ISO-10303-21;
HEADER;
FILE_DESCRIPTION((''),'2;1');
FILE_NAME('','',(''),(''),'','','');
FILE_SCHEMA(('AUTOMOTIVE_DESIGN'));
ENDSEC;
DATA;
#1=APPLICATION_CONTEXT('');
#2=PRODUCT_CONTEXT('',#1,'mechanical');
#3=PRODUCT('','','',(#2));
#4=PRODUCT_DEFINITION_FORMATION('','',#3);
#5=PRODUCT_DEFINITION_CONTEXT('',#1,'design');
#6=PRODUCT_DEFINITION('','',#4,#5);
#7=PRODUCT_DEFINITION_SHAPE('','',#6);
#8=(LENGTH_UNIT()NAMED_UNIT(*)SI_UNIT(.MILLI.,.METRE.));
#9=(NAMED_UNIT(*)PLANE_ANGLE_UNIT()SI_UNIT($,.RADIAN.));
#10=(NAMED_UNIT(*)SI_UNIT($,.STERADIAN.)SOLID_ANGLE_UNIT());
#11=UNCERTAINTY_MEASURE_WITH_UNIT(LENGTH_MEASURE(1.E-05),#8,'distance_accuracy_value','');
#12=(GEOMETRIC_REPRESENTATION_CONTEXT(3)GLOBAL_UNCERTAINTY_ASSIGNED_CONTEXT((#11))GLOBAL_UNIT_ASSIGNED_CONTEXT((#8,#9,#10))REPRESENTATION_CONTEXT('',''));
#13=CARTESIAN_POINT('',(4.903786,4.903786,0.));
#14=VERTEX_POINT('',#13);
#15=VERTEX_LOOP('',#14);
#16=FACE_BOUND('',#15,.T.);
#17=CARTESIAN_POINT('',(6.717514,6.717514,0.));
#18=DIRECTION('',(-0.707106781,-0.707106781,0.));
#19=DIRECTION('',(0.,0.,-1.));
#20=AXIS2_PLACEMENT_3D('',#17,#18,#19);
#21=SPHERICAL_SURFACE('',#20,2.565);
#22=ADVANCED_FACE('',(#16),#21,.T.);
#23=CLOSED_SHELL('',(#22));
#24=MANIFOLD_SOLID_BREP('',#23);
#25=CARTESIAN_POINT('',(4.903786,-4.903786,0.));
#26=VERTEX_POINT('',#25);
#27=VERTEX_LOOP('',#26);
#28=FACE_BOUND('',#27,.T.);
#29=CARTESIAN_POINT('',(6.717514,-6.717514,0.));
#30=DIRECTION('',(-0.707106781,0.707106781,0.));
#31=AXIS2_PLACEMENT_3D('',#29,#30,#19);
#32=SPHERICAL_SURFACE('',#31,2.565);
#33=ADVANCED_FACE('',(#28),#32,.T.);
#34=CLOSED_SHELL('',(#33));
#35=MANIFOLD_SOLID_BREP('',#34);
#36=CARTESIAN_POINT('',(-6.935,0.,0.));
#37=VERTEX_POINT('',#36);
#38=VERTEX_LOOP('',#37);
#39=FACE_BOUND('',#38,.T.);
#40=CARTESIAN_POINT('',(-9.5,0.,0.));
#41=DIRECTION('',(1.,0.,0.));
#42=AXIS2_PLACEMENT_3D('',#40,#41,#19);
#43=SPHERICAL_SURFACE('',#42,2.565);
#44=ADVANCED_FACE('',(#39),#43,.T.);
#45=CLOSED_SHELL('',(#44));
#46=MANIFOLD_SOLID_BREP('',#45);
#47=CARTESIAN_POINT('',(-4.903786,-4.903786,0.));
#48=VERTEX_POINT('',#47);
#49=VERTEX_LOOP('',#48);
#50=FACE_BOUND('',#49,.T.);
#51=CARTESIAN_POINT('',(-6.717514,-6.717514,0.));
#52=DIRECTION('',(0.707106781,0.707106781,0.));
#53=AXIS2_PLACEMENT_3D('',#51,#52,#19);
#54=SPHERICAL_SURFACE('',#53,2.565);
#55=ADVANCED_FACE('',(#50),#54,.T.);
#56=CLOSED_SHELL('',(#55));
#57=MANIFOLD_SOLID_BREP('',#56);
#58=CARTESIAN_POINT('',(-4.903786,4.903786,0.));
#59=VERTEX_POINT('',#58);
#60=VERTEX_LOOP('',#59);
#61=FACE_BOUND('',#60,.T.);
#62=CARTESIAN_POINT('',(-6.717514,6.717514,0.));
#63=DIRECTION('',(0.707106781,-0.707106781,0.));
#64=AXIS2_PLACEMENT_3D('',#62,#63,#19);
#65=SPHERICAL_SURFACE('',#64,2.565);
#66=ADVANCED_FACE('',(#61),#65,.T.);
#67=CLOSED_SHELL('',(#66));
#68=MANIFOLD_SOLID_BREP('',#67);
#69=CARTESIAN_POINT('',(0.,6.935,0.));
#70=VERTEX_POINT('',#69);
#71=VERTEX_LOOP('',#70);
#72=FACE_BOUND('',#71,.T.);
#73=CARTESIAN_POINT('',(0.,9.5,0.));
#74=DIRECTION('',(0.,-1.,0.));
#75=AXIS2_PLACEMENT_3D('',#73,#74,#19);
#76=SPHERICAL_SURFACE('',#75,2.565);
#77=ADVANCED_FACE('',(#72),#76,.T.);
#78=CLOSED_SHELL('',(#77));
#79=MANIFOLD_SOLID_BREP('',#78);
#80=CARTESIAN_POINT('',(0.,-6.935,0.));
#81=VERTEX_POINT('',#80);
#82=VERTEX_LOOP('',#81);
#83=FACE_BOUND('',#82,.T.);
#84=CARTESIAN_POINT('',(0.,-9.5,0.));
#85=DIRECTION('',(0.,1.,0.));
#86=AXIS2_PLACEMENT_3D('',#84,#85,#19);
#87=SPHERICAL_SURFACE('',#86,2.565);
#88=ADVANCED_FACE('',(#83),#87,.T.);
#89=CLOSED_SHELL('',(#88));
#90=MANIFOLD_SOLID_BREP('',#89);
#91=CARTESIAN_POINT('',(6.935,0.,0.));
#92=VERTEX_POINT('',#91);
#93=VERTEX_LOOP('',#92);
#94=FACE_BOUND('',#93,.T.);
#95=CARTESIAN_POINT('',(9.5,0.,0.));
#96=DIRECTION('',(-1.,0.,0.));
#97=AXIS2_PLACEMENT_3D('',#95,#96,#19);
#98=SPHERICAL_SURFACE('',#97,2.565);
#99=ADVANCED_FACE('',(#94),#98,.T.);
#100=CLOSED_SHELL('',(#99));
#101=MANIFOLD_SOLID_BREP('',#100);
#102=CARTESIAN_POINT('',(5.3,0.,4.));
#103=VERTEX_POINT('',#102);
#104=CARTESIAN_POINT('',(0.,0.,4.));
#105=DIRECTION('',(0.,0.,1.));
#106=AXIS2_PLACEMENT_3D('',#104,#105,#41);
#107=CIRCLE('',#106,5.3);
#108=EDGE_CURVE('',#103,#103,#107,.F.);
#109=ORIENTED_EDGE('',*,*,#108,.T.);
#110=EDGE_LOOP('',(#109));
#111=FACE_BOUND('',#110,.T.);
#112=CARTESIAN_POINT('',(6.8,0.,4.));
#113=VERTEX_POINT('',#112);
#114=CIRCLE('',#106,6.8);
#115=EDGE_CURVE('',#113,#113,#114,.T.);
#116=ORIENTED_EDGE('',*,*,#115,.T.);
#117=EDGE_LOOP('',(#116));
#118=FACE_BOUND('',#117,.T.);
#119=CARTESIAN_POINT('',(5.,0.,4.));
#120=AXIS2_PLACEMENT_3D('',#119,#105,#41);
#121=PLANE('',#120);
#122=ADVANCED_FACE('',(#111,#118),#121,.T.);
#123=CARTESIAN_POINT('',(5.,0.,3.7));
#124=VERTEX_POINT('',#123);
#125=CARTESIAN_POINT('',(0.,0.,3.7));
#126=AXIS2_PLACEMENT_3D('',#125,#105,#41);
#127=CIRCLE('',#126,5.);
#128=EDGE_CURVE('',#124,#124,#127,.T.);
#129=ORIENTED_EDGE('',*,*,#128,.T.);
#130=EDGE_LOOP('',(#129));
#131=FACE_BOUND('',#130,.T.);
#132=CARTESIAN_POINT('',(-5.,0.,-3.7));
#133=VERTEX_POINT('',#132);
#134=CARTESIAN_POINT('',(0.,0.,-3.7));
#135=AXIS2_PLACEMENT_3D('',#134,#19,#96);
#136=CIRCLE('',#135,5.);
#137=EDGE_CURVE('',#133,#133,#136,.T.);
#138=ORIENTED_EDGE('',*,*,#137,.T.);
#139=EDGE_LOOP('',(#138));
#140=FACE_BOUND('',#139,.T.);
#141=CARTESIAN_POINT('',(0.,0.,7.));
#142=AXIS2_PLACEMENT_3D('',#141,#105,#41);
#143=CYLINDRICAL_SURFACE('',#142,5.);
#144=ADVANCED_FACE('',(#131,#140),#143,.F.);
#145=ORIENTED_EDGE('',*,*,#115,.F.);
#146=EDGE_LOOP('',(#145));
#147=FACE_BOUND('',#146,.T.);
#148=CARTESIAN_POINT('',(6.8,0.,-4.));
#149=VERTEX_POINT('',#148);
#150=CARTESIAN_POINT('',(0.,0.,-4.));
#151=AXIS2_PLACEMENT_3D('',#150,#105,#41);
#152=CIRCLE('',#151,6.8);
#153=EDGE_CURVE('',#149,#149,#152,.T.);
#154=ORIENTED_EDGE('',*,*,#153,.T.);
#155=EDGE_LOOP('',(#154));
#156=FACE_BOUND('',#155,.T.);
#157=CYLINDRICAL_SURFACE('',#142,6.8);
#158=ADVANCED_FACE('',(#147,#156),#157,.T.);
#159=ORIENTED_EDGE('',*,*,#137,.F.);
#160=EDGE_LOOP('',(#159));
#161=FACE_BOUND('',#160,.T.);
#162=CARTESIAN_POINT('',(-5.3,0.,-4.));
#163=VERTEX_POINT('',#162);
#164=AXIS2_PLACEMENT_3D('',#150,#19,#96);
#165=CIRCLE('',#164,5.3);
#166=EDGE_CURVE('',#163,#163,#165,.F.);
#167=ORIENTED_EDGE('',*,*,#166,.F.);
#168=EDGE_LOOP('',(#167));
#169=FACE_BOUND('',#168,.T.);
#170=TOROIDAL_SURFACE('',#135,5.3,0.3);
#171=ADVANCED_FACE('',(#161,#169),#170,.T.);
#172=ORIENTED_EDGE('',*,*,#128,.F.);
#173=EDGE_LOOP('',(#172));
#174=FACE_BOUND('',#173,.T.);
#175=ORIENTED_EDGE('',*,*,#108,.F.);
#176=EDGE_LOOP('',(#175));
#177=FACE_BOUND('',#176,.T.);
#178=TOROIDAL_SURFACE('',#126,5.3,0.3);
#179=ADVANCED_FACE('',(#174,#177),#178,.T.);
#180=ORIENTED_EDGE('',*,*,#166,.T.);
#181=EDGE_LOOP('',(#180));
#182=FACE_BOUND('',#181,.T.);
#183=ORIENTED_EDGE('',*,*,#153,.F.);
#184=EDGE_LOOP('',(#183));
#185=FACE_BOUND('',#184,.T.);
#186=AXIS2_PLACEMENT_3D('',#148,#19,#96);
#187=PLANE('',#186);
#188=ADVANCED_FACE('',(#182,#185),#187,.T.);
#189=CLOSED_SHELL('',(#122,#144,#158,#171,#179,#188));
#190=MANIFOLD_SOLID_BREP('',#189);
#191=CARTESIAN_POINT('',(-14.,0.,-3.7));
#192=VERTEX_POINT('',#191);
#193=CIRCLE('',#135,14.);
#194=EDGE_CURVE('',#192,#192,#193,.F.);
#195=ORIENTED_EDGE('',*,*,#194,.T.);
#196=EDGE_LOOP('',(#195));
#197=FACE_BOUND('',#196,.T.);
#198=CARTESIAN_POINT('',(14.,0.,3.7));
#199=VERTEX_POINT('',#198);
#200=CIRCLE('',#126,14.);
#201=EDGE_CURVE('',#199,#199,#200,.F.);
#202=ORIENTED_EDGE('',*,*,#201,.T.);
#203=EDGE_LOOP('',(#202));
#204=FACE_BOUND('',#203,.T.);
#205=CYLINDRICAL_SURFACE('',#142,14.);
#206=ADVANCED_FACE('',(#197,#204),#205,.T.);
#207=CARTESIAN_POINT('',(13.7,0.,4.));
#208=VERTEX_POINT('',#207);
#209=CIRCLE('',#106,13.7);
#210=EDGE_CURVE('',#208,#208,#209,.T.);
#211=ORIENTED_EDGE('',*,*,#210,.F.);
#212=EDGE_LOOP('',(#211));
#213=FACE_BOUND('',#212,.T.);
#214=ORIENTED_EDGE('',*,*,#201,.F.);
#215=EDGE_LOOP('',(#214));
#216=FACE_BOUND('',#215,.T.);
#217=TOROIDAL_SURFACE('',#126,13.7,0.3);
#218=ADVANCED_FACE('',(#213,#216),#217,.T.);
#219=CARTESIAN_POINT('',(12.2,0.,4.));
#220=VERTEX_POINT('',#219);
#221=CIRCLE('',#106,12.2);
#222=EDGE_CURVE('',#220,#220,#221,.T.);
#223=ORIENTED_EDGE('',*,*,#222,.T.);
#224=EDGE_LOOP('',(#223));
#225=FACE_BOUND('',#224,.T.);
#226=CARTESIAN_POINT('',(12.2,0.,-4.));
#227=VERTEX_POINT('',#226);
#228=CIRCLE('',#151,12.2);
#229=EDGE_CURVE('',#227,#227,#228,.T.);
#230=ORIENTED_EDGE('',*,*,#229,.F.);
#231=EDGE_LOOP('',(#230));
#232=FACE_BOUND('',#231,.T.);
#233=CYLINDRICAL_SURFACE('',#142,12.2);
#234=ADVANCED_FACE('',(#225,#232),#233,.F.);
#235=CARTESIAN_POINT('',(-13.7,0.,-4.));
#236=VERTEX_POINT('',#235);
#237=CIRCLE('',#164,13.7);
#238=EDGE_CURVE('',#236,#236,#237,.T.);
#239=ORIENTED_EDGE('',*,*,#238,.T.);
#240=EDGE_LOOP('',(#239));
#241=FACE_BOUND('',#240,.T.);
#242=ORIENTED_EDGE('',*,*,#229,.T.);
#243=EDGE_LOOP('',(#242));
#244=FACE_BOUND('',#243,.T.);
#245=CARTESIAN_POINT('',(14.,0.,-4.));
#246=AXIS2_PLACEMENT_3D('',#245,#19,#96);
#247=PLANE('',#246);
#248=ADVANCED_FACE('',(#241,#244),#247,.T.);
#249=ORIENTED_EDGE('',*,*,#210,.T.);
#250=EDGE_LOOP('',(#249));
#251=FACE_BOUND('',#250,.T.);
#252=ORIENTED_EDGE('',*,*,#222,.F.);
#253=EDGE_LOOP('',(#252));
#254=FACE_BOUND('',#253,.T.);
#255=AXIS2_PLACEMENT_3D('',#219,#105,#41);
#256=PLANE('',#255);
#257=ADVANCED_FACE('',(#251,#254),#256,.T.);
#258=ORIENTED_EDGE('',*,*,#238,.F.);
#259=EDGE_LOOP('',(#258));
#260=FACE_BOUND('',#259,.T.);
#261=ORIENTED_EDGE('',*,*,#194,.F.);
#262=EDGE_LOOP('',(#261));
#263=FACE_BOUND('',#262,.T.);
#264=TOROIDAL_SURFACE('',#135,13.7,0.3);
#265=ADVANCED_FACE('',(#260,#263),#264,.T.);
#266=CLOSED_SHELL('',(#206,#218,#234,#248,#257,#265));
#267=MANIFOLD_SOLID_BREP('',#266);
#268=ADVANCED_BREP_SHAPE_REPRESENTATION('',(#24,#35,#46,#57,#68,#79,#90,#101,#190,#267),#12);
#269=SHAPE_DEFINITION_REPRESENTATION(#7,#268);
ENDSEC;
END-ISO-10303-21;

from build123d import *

# Parameters (mm, degrees)
INNERS_W           = 1.8
INNERS_H           = 8
OUTERS_W           = 1.8
OUTERS_H           = 8
BALLSPATTERN_COUNT = 8
FILLET_F1_R        = 0.3
FILLET_F2_R        = 0.3


with BuildPart() as part:
    # InnerS → InnerRing (revolve)
    with BuildSketch(Plane(origin=(0, 0, 0), x_dir=(1, 0, 0), z_dir=(0, 1, 0))):
        with Locations((5.9, 0)):
            Rectangle(INNERS_W, INNERS_H)
    revolve(axis=Axis((0, 0, 7), (0, 0, -1)))

    # Fillet F2
    fillet_f2_edges = [part.edges().sort_by_distance(p)[0] for p in [
        (-5, 0, -4),
        (-5, 0, 4),
    ]]
    fillet(fillet_f2_edges, radius=FILLET_F2_R)


with BuildPart() as body_2:
    # OuterS → OuterRing (revolve)
    with BuildSketch(Plane(origin=(0, 0, 0), x_dir=(1, 0, 0), z_dir=(0, 1, 0))):
        with Locations((13.1, 0)):
            Rectangle(OUTERS_W, OUTERS_H)
    revolve(axis=Axis((0, 0, 7), (0, 0, -1)))

    # Fillet F1
    fillet_f1_edges = [body_2.edges().sort_by_distance(p)[0] for p in [
        (-14, 0, -4),
        (-14, 0, 4),
    ]]
    fillet(fillet_f1_edges, radius=FILLET_F1_R)


with BuildPart() as body_3:
    # BallS → Ball (revolve)
    with BuildSketch(Plane(origin=(0, 0, 0), x_dir=(1, 0, 0), z_dir=(0, 1, 0))):
        with BuildLine():
            Line((6.935, 0), (12.065, 0))
            ThreePointArc((12.065, 0), (9.5, -2.565), (6.935, 0))
        make_face()
    revolve(axis=Axis((6.935, 0, 0), (1, 0, 0)))


with BuildPart() as ballspattern_1:
    # BallsPattern: pattern copy
    add(body_3.part.rotate(Axis((0, 0, -4.4), (0, 0, 1)), 1 * 360 / BALLSPATTERN_COUNT))


with BuildPart() as ballspattern_2:
    # BallsPattern: pattern copy
    add(body_3.part.rotate(Axis((0, 0, -4.4), (0, 0, 1)), 2 * 360 / BALLSPATTERN_COUNT))


with BuildPart() as ballspattern_3:
    # BallsPattern: pattern copy
    add(body_3.part.rotate(Axis((0, 0, -4.4), (0, 0, 1)), 3 * 360 / BALLSPATTERN_COUNT))


with BuildPart() as ballspattern_4:
    # BallsPattern: pattern copy
    add(body_3.part.rotate(Axis((0, 0, -4.4), (0, 0, 1)), 4 * 360 / BALLSPATTERN_COUNT))


with BuildPart() as ballspattern_5:
    # BallsPattern: pattern copy
    add(body_3.part.rotate(Axis((0, 0, -4.4), (0, 0, 1)), 5 * 360 / BALLSPATTERN_COUNT))


with BuildPart() as ballspattern_6:
    # BallsPattern: pattern copy
    add(body_3.part.rotate(Axis((0, 0, -4.4), (0, 0, 1)), 6 * 360 / BALLSPATTERN_COUNT))


with BuildPart() as ballspattern_7:
    # BallsPattern: pattern copy
    add(body_3.part.rotate(Axis((0, 0, -4.4), (0, 0, 1)), 7 * 360 / BALLSPATTERN_COUNT))


solid = Compound([part.part, body_2.part, body_3.part, ballspattern_1.part, ballspattern_2.part, ballspattern_3.part, ballspattern_4.part, ballspattern_5.part, ballspattern_6.part, ballspattern_7.part])
